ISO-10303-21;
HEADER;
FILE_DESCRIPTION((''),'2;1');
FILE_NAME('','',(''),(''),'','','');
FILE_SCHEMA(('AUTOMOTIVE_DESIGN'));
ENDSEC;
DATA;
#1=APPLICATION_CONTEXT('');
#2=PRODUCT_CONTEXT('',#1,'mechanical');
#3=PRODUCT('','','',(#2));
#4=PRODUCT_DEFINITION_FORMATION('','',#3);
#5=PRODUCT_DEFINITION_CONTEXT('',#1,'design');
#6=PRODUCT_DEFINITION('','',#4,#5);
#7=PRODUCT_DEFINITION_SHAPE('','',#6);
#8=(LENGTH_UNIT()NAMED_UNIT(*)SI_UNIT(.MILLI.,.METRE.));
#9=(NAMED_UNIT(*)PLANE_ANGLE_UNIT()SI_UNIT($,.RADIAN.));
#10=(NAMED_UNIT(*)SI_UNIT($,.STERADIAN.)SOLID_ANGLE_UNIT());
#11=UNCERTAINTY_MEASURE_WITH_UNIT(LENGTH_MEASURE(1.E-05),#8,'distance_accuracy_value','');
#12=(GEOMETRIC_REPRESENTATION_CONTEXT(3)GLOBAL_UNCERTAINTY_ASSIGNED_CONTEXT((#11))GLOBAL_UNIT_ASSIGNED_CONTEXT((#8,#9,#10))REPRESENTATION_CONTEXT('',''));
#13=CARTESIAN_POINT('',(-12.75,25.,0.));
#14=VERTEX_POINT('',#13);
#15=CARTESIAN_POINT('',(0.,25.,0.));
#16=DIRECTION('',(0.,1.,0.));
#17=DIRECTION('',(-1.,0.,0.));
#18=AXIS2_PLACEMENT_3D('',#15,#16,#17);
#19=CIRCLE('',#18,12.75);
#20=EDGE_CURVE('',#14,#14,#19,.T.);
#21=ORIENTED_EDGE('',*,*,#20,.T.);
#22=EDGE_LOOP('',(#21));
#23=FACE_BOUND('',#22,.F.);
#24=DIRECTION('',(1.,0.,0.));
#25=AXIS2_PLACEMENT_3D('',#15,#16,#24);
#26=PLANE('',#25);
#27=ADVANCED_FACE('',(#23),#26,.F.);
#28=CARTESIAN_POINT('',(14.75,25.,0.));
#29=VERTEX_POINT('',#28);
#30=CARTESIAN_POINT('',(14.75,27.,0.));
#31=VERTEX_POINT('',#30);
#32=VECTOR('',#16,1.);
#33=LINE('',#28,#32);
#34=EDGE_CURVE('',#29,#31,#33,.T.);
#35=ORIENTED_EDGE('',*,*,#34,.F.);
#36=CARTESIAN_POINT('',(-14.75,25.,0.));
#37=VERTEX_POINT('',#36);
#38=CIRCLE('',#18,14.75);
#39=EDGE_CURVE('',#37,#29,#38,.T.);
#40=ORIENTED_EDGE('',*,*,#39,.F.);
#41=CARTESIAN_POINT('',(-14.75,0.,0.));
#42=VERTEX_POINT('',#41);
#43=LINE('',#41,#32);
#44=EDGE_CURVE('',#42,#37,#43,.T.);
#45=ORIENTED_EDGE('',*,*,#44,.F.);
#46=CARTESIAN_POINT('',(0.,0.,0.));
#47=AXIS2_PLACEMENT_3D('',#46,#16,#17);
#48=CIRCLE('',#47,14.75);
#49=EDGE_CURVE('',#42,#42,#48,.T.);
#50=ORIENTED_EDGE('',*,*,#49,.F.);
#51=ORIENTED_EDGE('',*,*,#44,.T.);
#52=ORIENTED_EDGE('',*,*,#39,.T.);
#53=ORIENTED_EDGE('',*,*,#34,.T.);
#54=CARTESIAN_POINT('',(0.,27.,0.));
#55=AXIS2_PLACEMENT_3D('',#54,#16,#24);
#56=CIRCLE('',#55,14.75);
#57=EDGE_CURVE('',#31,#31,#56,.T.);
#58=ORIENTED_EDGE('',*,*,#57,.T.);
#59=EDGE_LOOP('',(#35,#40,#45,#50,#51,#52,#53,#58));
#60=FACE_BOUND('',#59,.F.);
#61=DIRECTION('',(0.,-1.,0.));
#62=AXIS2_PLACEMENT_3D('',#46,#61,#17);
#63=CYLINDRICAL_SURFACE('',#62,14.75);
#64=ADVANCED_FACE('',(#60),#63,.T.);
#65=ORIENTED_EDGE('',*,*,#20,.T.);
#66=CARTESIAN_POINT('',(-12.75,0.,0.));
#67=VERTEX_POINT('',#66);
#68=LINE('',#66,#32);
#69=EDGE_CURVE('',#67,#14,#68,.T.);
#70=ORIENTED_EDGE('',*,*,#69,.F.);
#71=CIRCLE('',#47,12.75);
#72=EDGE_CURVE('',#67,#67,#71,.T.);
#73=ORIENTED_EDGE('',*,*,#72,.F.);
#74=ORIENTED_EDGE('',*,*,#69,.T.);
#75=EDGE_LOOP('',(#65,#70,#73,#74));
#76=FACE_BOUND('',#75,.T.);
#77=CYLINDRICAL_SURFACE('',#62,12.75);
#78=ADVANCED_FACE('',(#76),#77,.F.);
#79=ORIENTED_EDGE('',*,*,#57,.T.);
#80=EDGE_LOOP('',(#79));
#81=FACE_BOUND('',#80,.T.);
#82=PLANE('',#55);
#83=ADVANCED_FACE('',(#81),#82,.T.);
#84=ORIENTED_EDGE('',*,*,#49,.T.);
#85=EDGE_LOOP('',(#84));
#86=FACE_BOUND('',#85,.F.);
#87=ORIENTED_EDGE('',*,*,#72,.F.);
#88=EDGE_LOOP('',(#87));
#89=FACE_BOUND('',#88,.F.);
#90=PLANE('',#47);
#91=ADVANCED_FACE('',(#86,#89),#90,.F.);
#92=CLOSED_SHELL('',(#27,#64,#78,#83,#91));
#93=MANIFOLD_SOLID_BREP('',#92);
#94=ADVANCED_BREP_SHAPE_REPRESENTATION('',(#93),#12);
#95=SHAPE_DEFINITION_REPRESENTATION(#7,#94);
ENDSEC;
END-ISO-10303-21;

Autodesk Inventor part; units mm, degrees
ref_plane "YZ Plane" through (0, 0, 0) normal (1, 0, 0) x (0, 1, 0)
ref_plane "XZ Plane" through (0, 0, 0) normal (0, 1, 0) x (-1, 0, 0)
ref_plane "XY Plane" through (0, 0, 0) normal (0, 0, 1) x (1, 0, 0)
sketch "Sketch1" plane through (0, 0, 0) normal (0, 1, 0) x (-1, 0, 0)
  circle A0 centre (0, 0) radius 12.75
  circle A1 centre (0, 0) radius 14.75
  dimension "d0" = 25.5
  dimension "d1" = 2
extrude "Extrusion1" add sketch "Sketch1" along normal blind 25
sketch "Sketch2" plane through (0, 25, 0) normal (0, 1, 0) x (1, 0, 0)
  circle A0 centre (0, 0) radius 14.75
  dimension "d4" = 29.5
extrude "Extrusion2" add sketch "Sketch2" along normal blind 2
properties part number "LED Cover" material "Acrylic, Clear"
